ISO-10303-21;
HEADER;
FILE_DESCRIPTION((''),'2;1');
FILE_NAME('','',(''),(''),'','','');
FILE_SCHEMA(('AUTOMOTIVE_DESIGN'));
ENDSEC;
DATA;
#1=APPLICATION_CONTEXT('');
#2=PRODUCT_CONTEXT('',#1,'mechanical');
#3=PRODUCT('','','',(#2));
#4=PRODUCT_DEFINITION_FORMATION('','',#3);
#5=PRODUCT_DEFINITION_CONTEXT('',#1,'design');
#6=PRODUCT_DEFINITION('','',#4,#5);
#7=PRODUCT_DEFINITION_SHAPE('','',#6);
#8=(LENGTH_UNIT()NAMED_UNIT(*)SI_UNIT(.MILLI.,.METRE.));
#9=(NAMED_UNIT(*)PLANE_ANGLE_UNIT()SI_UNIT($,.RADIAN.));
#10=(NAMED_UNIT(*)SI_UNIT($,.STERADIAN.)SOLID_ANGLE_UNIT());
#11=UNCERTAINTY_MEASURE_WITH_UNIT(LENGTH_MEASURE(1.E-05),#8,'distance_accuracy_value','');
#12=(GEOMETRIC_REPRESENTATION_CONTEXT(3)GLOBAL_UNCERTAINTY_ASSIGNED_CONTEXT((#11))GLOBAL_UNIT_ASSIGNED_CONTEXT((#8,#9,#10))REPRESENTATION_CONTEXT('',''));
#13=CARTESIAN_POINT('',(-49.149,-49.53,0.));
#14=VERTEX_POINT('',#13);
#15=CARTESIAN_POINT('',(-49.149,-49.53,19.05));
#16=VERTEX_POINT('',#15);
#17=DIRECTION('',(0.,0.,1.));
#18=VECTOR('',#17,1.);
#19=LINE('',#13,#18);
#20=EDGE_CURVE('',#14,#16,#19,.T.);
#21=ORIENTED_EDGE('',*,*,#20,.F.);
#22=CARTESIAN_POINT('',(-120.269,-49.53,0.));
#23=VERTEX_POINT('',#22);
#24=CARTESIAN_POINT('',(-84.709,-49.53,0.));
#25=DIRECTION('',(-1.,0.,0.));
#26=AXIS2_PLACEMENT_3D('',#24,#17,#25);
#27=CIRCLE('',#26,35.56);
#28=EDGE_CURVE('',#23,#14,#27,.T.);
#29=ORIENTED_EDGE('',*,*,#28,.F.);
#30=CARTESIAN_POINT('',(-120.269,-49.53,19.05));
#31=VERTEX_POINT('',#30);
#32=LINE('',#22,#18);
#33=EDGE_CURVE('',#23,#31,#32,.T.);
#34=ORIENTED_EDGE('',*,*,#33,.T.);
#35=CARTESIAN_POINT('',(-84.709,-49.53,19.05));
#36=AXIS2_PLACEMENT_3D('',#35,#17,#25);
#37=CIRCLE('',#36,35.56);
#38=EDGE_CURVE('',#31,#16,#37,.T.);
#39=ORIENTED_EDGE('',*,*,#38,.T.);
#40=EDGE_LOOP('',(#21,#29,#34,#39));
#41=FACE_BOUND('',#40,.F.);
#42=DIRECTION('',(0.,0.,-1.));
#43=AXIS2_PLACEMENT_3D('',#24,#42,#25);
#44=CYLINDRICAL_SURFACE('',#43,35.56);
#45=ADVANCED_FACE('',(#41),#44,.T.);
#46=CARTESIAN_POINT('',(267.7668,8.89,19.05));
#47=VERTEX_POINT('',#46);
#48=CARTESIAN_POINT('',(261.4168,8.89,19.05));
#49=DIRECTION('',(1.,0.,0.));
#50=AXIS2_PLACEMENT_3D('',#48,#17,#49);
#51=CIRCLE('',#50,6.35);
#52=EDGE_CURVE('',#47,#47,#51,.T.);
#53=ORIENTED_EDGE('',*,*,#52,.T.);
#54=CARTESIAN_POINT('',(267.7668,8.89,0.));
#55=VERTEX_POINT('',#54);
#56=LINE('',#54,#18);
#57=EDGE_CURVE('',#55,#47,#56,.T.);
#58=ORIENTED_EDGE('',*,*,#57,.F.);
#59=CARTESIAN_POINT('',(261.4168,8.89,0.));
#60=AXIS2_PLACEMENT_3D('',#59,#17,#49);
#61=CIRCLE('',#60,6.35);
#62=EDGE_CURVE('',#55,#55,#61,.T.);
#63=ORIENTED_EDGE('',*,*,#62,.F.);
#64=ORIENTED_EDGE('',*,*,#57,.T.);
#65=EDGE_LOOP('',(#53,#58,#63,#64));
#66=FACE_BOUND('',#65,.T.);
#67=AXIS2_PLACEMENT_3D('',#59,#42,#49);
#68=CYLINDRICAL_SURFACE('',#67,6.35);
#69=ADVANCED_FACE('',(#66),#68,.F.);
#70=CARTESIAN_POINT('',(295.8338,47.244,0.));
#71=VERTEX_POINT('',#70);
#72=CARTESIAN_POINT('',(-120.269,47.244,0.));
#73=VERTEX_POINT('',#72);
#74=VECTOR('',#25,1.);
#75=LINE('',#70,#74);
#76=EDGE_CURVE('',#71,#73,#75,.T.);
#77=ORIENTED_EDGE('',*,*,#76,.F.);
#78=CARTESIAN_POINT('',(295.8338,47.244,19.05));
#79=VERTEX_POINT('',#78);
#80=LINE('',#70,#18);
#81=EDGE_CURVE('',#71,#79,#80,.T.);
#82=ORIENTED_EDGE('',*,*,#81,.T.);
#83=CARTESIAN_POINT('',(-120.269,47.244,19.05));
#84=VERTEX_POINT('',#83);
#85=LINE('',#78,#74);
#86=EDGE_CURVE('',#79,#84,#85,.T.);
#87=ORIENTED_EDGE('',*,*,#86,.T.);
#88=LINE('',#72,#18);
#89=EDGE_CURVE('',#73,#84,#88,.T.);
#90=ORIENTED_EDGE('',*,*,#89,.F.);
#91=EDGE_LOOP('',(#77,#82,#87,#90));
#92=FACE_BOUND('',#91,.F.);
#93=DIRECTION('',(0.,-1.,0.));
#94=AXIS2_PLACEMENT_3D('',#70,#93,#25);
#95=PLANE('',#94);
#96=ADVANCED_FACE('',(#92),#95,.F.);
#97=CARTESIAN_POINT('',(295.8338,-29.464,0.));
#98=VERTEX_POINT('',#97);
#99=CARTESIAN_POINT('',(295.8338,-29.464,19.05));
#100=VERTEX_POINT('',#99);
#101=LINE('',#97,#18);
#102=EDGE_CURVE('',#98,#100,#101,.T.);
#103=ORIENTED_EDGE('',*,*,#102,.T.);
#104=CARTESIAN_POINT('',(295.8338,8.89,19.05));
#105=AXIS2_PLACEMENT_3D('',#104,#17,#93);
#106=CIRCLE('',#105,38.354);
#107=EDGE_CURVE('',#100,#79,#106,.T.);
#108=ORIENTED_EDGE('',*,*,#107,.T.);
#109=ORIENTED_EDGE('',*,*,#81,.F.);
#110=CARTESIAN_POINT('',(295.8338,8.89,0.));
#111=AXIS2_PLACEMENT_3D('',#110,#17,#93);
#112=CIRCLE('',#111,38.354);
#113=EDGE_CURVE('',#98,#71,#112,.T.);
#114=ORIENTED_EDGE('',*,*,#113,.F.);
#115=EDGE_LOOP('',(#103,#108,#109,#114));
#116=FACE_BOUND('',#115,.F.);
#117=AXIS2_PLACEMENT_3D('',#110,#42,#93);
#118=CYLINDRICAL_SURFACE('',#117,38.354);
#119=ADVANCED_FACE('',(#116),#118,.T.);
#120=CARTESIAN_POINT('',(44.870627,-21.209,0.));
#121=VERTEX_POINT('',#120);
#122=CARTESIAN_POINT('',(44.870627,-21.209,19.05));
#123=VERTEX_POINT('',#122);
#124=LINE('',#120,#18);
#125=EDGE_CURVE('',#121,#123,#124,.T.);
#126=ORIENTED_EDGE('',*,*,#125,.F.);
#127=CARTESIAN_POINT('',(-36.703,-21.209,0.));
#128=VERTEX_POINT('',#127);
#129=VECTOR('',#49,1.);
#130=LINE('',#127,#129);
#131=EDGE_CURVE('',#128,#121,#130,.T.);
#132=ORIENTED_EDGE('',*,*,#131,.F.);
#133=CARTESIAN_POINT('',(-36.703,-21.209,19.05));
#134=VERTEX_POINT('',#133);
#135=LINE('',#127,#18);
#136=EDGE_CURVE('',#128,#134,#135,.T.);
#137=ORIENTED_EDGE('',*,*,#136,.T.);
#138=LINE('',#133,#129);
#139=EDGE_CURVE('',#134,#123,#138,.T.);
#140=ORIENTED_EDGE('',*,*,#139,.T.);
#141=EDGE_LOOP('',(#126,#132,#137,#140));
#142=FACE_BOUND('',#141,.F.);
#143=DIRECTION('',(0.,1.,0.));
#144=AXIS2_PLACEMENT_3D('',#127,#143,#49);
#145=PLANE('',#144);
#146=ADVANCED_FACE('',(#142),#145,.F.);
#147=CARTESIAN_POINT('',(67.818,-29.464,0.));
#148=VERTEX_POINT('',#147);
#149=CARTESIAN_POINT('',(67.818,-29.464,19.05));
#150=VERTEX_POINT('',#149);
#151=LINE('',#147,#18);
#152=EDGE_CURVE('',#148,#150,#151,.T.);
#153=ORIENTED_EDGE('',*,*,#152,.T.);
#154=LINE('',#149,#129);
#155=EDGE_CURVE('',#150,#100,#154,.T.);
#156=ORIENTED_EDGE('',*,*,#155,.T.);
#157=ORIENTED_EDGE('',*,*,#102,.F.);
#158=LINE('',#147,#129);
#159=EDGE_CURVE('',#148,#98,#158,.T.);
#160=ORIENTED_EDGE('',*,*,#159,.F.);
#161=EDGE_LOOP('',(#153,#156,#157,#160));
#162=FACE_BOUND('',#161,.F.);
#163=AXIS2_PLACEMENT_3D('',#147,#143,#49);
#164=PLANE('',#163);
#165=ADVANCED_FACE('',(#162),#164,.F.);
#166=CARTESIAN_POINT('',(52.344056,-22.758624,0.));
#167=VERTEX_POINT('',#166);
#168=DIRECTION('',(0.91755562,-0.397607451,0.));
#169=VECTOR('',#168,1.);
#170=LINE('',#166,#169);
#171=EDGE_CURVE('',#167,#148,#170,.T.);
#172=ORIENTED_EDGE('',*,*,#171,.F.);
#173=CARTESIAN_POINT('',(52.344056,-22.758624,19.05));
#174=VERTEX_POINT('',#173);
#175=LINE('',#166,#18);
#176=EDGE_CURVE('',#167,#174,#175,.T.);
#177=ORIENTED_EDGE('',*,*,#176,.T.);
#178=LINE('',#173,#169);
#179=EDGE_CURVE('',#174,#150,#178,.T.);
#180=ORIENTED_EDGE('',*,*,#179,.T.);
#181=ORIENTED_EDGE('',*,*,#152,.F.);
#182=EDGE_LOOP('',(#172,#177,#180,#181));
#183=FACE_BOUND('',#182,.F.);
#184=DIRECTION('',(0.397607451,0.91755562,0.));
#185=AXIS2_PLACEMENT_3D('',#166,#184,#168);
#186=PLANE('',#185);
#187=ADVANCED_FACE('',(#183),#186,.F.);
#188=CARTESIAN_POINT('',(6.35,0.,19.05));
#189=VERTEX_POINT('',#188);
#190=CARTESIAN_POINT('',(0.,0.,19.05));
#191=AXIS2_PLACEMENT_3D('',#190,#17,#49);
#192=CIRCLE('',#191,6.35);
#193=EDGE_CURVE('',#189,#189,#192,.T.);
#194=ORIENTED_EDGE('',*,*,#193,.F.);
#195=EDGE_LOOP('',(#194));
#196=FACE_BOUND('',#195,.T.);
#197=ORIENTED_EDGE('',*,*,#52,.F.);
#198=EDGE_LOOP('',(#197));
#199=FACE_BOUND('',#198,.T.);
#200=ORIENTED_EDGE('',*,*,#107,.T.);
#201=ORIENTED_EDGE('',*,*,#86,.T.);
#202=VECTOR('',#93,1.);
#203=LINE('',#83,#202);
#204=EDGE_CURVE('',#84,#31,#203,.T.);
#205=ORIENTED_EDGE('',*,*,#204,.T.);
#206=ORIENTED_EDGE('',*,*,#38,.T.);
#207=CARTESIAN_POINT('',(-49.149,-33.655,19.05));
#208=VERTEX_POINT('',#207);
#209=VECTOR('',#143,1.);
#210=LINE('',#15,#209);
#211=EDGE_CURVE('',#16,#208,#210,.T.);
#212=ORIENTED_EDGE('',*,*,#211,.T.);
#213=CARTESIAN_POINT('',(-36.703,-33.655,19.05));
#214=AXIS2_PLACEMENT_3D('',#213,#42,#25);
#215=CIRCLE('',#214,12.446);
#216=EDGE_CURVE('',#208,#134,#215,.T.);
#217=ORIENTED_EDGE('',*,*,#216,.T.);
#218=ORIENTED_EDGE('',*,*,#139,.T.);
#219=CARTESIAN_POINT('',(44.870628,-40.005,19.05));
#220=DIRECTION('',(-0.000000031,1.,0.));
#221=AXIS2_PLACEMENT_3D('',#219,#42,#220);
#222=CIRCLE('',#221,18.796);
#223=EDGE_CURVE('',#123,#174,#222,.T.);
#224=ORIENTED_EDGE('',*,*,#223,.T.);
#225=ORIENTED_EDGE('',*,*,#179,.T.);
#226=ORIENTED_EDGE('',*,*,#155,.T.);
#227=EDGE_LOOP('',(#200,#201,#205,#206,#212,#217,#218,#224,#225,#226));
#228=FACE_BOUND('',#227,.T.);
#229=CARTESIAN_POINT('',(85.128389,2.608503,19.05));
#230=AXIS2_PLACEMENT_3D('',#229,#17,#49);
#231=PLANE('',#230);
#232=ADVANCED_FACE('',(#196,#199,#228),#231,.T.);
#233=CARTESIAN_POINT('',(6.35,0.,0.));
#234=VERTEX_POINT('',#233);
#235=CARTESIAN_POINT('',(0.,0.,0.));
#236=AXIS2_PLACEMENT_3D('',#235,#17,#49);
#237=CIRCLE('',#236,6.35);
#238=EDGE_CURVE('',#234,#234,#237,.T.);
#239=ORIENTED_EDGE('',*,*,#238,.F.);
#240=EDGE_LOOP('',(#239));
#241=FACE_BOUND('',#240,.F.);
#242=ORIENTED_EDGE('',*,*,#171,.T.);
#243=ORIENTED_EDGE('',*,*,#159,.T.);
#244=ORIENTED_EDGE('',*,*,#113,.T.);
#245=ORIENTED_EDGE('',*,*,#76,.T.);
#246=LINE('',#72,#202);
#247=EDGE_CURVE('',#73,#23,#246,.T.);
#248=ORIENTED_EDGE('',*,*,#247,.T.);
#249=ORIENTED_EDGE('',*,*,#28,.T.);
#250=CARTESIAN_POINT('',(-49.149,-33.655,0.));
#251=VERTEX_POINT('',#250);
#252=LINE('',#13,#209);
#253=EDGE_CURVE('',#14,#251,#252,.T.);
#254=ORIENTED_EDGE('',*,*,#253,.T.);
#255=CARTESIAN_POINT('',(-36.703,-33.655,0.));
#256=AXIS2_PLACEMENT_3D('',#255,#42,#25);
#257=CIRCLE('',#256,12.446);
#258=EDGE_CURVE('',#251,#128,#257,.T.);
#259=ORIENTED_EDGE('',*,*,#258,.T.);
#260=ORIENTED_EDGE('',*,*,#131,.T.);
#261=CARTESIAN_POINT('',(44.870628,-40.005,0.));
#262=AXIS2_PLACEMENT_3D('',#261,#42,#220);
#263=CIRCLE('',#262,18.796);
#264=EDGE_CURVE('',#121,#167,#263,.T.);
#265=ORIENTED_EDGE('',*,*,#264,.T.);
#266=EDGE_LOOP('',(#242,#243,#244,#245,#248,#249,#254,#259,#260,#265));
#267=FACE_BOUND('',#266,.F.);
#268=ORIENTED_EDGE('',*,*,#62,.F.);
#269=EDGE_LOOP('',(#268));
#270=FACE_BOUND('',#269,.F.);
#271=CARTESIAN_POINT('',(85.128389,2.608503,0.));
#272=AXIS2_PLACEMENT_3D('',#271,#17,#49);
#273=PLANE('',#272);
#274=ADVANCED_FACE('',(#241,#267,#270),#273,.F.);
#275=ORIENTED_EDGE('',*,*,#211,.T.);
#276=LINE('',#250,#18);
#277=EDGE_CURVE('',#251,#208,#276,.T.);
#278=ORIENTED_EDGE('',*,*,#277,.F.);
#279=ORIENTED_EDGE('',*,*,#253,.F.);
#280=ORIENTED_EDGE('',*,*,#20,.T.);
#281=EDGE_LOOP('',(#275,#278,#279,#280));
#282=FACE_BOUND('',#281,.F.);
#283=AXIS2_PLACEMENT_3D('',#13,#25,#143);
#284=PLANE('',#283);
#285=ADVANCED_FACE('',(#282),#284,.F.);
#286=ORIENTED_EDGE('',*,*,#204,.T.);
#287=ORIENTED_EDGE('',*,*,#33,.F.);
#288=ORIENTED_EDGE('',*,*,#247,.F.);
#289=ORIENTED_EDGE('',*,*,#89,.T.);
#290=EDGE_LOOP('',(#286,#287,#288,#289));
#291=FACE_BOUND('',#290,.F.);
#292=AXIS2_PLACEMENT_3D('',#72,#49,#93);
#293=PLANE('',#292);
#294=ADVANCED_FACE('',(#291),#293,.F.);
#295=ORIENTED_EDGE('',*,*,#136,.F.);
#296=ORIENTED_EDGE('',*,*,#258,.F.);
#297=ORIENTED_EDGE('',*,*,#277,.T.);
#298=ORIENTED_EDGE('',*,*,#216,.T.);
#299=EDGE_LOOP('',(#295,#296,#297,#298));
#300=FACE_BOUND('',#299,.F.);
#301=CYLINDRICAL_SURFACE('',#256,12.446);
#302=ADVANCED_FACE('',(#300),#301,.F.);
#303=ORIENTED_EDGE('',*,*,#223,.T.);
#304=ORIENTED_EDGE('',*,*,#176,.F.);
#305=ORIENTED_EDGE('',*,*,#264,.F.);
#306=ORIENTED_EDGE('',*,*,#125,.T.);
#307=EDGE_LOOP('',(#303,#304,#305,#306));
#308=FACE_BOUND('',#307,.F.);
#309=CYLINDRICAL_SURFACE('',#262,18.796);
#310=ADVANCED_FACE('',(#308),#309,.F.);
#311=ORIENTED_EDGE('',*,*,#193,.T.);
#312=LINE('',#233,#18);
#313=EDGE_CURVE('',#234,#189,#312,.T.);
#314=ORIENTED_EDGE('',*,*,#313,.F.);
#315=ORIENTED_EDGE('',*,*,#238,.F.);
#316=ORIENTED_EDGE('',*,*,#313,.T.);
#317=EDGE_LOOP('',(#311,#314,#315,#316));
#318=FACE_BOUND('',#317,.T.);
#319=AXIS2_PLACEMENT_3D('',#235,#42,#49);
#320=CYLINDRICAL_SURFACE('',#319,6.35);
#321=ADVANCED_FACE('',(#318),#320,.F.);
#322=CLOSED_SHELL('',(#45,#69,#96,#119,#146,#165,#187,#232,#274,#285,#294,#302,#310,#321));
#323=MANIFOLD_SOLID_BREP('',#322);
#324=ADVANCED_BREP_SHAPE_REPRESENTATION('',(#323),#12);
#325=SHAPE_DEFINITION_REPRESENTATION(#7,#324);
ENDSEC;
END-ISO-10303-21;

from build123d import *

# Parameters (mm, degrees)
F0_R     = 6.35
F1_DEPTH = 19.05


with BuildPart() as f1:
    # F0 (on Top) → F1 (new body)
    with BuildSketch(Plane.XY):
        with BuildLine():
            Line((67.818, -29.464), (295.8338, -29.464))
            ThreePointArc((295.8338, -29.464), (334.1878, 8.89), (295.8338, 47.244))
            Line((295.8338, 47.244), (-120.269, 47.244))
            Line((-120.269, 47.244), (-120.269, -49.53))
            ThreePointArc((-120.269, -49.53), (-84.709, -85.09), (-49.149, -49.53))
            Line((-49.149, -49.53), (-49.149, -33.655))
            ThreePointArc((-49.149, -33.655), (-45.503651, -24.854349), (-36.703, -21.209))
            Line((-36.703, -21.209), (44.870627, -21.209))
            ThreePointArc((44.870627, -21.209), (48.686826, -21.600483), (52.344056, -22.758624))
            Line((52.344056, -22.758624), (67.818, -29.464))
        make_face()
        Circle(F0_R, mode=Mode.SUBTRACT)
        with Locations((261.4168, 8.89)):
            Circle(F0_R, mode=Mode.SUBTRACT)
    extrude(amount=F1_DEPTH)


solid = f1.part
